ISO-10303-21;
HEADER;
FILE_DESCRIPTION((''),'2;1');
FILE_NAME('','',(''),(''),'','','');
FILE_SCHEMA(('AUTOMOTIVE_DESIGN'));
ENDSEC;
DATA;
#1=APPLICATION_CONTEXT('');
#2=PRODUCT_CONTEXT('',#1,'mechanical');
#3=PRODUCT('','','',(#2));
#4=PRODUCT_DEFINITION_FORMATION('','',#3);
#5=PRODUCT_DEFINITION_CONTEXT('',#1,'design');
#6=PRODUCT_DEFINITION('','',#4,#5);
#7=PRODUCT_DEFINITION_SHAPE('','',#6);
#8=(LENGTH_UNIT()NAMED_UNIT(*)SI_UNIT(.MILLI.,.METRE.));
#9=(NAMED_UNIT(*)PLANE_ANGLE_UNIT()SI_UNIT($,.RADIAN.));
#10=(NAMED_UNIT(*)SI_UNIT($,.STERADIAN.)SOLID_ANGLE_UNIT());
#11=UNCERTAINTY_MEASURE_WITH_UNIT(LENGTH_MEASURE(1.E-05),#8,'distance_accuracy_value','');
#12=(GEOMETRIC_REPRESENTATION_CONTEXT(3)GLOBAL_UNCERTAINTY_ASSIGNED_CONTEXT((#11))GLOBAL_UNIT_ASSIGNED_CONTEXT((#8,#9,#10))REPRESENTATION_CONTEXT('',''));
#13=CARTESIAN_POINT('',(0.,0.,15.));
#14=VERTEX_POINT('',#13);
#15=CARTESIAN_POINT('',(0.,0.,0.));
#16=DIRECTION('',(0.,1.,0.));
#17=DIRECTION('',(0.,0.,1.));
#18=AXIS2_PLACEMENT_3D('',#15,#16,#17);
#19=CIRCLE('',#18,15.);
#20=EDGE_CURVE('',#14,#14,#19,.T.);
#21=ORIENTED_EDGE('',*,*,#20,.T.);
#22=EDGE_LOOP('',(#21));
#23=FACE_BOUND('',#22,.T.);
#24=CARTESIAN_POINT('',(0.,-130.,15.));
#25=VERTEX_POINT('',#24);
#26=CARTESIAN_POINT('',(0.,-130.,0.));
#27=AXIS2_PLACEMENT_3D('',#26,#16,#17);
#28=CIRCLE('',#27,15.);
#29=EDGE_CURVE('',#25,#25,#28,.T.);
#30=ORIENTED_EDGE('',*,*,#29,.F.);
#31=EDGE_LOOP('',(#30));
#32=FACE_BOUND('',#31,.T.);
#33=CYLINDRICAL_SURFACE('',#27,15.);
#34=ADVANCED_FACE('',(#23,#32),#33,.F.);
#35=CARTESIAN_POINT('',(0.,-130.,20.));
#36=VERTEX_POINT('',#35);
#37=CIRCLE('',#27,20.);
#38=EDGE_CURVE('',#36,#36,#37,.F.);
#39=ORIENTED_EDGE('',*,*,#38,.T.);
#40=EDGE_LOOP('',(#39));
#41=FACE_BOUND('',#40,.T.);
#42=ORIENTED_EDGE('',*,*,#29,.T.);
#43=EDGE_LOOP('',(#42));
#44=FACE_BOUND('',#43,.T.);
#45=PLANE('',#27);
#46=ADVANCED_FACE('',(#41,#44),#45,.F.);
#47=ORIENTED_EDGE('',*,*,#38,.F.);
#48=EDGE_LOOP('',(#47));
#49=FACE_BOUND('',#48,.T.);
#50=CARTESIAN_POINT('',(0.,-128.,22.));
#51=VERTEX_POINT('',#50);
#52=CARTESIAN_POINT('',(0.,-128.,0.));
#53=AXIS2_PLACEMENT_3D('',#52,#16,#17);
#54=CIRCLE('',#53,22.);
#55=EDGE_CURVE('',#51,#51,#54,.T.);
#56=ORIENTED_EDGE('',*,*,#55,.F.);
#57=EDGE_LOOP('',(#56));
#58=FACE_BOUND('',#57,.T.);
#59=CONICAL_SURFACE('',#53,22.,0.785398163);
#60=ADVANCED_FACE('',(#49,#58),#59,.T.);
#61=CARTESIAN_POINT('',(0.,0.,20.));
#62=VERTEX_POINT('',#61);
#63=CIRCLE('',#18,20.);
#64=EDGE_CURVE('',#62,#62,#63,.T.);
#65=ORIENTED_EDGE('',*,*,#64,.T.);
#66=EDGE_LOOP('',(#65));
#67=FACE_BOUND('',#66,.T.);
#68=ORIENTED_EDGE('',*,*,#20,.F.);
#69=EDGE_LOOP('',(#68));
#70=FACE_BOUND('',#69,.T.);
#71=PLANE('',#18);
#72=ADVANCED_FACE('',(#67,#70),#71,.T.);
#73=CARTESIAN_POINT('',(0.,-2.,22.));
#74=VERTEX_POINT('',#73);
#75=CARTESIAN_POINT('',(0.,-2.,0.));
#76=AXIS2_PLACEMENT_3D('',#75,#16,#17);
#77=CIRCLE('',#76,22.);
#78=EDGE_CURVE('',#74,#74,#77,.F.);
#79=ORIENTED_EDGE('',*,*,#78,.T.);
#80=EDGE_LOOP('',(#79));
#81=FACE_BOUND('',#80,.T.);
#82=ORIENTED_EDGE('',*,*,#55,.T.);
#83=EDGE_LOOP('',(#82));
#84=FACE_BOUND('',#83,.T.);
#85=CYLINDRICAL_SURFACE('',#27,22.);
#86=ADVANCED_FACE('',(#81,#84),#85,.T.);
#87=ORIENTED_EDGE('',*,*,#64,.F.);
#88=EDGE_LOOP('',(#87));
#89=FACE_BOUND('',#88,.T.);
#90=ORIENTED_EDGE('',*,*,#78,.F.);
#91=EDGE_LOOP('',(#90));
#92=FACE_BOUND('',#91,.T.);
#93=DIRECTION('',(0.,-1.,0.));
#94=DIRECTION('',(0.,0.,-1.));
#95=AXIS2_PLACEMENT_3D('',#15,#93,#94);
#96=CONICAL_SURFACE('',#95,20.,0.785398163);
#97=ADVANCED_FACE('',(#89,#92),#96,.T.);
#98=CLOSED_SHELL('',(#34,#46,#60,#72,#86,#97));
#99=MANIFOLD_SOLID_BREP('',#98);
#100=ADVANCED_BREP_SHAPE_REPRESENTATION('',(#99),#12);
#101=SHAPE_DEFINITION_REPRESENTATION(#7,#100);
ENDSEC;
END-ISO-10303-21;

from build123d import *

# Parameters (mm, degrees)
SKETCH1_R           = 22
SKETCH1_R_2         = 15
BOSS_EXTRUDE1_DEPTH = 130
CHAMFER1_SIZE       = 2


with BuildPart() as part:
    # Sketch1 → Boss-Extrude1 (new body)
    with BuildSketch(Plane(origin=(0, 0, 0), x_dir=(1, 0, 0), z_dir=(0, 1, 0))):
        with Locations(Location((0, 0, 0), (0, 0, 270))):
            Circle(SKETCH1_R)
        with Locations(Location((0, 0, 0), (0, 0, 270))):
            Circle(SKETCH1_R_2, mode=Mode.SUBTRACT)
    extrude(amount=-BOSS_EXTRUDE1_DEPTH)

    # Chamfer1
    chamfer1_edges = [part.edges().sort_by_distance(p)[0] for p in [
        (0, 0, -22),
        (0, -130, -22),
    ]]
    chamfer(chamfer1_edges, length=CHAMFER1_SIZE)


solid = part.part
